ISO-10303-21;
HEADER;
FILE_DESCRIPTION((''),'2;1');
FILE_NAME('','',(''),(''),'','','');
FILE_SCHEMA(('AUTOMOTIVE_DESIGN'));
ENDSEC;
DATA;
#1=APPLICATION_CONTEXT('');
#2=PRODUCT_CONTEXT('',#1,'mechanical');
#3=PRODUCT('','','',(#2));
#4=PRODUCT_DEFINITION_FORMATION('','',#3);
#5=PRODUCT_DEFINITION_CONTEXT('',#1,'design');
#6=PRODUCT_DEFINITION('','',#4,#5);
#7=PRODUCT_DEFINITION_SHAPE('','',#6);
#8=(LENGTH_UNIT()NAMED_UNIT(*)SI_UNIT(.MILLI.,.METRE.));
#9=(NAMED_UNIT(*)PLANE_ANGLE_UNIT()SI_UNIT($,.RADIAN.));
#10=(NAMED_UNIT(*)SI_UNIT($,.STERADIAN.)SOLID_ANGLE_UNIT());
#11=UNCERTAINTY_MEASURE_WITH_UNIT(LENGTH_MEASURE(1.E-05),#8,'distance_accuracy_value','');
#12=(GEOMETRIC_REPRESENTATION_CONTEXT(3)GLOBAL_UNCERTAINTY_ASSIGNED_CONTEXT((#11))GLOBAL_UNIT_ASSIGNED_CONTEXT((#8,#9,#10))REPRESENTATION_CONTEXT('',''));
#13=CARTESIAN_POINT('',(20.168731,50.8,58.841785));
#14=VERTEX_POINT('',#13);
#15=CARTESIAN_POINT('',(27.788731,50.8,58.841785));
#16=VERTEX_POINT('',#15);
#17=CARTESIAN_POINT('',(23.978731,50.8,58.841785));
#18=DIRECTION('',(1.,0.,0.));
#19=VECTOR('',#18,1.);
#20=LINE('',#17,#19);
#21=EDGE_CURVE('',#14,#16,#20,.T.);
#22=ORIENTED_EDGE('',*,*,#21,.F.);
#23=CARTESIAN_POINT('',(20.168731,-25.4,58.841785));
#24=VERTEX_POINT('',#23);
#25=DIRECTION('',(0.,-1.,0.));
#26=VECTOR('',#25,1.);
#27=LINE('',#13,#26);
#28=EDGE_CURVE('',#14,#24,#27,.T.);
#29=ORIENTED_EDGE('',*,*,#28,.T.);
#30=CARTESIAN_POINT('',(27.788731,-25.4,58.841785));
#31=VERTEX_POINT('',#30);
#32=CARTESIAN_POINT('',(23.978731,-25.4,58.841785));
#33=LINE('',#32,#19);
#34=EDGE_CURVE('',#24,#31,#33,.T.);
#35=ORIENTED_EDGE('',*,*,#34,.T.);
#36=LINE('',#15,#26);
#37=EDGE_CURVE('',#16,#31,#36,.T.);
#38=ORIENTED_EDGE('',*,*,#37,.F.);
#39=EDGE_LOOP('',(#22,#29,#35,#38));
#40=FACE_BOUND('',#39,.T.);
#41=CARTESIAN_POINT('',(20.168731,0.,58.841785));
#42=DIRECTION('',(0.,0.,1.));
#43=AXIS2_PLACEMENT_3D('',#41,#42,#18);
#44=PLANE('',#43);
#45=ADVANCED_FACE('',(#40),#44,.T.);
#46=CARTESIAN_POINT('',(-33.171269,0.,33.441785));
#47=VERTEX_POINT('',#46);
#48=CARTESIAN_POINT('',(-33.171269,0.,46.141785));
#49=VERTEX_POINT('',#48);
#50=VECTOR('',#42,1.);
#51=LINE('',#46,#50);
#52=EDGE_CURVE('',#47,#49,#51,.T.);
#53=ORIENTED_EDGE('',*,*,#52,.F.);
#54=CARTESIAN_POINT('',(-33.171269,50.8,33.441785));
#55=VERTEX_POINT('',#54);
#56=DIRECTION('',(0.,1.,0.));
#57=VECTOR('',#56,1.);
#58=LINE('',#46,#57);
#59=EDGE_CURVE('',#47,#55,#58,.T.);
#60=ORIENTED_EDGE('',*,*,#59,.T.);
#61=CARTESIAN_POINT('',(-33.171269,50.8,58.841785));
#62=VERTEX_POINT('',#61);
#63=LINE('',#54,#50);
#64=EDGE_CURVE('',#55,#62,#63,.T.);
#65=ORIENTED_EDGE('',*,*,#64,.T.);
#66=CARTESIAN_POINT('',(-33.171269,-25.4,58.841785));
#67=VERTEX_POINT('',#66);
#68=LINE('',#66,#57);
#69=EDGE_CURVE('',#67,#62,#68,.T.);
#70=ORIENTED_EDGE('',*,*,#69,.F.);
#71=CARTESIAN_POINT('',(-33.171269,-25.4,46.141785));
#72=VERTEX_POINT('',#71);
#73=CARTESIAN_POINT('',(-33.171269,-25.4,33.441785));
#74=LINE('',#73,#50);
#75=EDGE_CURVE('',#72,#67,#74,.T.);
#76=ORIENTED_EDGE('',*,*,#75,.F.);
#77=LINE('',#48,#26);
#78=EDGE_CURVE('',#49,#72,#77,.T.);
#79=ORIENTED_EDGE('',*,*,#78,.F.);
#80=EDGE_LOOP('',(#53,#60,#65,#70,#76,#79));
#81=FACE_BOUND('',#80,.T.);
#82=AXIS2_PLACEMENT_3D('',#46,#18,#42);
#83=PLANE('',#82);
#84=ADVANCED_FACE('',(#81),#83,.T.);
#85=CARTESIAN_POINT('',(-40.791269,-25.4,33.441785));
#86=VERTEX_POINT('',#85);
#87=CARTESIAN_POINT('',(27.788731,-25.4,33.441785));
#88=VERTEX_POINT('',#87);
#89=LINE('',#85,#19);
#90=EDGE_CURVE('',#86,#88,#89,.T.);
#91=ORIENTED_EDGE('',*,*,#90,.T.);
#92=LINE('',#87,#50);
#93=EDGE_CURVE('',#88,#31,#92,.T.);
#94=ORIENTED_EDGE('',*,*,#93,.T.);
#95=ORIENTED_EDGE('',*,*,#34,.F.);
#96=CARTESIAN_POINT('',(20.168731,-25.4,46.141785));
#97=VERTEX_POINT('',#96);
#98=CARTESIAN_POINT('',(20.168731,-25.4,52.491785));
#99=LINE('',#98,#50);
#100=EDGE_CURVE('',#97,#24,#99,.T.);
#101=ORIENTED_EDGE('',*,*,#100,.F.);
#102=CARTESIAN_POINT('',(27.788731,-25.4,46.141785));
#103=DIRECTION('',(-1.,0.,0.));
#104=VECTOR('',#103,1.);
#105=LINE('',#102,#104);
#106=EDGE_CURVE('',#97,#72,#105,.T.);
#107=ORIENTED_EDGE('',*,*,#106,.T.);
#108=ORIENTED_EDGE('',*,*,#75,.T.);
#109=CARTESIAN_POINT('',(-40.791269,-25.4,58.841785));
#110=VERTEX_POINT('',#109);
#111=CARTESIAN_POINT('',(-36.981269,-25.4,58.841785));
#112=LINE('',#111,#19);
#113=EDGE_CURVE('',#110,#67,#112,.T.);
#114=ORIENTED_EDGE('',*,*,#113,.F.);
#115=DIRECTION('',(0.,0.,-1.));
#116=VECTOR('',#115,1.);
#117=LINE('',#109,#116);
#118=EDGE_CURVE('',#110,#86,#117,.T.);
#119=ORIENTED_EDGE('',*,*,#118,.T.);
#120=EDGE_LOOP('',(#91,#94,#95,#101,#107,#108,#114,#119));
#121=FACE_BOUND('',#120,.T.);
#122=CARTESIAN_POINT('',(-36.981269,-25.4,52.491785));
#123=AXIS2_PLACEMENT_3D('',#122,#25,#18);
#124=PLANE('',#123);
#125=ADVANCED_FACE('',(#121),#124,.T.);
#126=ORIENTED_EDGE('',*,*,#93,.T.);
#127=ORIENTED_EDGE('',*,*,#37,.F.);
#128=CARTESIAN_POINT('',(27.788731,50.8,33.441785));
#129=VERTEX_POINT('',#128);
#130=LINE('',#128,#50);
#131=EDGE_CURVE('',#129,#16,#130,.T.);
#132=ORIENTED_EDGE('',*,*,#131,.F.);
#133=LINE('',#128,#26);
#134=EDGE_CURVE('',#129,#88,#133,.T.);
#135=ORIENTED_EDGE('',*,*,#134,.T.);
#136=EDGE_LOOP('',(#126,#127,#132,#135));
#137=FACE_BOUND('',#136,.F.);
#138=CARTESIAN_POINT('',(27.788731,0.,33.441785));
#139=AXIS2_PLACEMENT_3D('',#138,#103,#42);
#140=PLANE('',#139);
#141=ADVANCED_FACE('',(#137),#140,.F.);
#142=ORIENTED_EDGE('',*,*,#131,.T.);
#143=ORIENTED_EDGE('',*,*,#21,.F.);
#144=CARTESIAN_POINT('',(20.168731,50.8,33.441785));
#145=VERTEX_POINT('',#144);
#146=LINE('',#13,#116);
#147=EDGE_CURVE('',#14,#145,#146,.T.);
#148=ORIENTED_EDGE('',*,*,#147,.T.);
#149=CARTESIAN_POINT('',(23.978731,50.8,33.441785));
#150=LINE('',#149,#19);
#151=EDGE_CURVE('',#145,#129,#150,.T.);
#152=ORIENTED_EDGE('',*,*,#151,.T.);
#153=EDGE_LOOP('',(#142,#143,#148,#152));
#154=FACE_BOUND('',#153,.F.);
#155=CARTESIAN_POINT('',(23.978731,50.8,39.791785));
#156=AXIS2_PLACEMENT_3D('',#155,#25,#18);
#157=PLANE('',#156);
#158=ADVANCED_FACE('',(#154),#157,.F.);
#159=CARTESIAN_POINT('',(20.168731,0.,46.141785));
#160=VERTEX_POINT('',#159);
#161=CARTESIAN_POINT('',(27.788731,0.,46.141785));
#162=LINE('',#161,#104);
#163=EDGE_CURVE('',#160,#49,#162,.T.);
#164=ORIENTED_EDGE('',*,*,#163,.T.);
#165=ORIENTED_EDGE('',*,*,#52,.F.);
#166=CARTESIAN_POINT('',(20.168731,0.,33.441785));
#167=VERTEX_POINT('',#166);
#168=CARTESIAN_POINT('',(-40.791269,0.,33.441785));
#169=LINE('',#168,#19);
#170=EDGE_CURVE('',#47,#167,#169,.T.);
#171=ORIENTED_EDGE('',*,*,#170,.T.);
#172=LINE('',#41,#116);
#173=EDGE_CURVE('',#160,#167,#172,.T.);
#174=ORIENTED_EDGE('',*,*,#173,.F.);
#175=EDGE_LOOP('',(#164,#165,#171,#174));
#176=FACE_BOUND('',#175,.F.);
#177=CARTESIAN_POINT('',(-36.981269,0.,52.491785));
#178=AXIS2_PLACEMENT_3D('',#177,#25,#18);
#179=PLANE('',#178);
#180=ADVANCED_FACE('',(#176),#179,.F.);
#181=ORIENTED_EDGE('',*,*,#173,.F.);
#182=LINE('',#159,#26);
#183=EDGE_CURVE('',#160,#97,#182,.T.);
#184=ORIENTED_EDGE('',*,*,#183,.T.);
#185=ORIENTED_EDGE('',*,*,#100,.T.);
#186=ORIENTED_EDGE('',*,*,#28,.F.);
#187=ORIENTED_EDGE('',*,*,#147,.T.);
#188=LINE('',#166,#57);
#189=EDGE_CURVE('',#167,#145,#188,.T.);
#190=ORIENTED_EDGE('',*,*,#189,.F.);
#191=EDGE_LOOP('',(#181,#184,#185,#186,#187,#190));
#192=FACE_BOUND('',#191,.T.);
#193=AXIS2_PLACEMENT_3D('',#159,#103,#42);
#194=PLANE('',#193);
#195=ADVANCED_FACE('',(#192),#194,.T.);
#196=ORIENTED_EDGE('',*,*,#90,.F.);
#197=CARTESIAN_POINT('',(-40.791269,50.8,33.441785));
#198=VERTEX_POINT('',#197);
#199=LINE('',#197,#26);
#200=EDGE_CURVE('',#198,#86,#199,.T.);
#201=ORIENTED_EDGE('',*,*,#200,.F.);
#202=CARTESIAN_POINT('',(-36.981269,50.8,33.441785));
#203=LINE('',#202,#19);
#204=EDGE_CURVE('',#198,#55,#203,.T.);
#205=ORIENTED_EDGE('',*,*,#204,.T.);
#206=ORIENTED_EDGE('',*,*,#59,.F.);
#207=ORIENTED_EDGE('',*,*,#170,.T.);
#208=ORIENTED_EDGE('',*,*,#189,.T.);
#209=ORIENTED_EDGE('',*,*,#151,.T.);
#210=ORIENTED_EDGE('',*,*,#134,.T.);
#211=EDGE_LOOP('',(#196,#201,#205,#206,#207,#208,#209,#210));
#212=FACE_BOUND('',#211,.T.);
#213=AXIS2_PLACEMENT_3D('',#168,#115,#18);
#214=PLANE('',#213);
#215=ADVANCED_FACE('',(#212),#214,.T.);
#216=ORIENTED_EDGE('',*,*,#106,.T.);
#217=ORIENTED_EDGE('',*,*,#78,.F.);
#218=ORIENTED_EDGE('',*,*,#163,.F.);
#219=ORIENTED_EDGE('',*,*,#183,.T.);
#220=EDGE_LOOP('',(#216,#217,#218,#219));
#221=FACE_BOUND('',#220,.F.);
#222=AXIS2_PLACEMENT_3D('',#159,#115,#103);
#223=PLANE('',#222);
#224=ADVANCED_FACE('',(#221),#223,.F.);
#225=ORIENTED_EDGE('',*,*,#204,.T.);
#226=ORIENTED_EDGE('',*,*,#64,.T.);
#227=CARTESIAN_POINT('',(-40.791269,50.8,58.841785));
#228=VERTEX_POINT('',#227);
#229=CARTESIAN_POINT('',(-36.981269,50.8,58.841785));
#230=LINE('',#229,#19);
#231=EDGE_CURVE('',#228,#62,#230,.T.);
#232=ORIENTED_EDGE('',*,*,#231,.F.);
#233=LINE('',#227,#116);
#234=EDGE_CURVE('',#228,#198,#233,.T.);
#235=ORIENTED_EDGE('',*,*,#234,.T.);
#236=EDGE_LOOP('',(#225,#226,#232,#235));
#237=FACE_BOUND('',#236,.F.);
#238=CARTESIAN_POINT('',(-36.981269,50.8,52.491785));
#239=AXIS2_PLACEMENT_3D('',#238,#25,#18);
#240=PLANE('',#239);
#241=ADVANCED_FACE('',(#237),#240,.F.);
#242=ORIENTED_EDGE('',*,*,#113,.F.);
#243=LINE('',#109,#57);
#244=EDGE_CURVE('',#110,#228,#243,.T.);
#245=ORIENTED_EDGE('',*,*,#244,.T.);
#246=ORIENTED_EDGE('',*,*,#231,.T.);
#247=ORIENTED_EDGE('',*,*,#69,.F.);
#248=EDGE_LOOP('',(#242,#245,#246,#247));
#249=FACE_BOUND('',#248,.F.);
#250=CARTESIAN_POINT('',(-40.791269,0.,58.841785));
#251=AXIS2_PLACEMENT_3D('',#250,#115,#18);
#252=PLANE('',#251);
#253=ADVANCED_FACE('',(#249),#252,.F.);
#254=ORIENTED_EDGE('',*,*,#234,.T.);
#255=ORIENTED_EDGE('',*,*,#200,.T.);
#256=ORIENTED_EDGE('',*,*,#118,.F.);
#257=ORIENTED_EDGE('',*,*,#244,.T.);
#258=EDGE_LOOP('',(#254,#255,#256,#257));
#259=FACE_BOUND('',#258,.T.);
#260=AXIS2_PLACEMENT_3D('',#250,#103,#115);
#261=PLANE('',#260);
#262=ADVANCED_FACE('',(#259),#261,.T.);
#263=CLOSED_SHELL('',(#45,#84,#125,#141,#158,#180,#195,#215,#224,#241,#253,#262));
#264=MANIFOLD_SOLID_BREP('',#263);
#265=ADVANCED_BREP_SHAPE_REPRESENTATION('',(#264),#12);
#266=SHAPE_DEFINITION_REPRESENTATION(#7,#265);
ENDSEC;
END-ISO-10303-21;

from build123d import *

# Parameters (mm, degrees)
F0_W     = 7.62
F0_H     = 12.7
F0_W_2   = 53.34
F1_DEPTH = 25.4
F2_DEPTH = 50.8


with BuildPart() as f1:
    # F0 (on Front) → F1 (new body)
    with BuildSketch(Plane.XZ):
        with Locations((-36.981269, 52.491785)):
            Rectangle(F0_W, F0_H)
        with Locations((-36.981269, 39.791785)):
            Rectangle(F0_W, F0_H)
        with Locations((-6.501269, 39.791785)):
            Rectangle(F0_W_2, F0_H)
        with Locations((23.978731, 39.791785)):
            Rectangle(F0_W, F0_H)
        with Locations((23.978731, 52.491785)):
            Rectangle(F0_W, F0_H)
    extrude(amount=F1_DEPTH)

    # F0 (on Front) → F2 (join)
    with BuildSketch(Plane.XZ):
        with Locations((-36.981269, 52.491785)):
            Rectangle(F0_W, F0_H)
        with Locations((-36.981269, 39.791785)):
            Rectangle(F0_W, F0_H)
        with Locations((23.978731, 39.791785)):
            Rectangle(F0_W, F0_H)
        with Locations((23.978731, 52.491785)):
            Rectangle(F0_W, F0_H)
    extrude(amount=-F2_DEPTH)


solid = f1.part
